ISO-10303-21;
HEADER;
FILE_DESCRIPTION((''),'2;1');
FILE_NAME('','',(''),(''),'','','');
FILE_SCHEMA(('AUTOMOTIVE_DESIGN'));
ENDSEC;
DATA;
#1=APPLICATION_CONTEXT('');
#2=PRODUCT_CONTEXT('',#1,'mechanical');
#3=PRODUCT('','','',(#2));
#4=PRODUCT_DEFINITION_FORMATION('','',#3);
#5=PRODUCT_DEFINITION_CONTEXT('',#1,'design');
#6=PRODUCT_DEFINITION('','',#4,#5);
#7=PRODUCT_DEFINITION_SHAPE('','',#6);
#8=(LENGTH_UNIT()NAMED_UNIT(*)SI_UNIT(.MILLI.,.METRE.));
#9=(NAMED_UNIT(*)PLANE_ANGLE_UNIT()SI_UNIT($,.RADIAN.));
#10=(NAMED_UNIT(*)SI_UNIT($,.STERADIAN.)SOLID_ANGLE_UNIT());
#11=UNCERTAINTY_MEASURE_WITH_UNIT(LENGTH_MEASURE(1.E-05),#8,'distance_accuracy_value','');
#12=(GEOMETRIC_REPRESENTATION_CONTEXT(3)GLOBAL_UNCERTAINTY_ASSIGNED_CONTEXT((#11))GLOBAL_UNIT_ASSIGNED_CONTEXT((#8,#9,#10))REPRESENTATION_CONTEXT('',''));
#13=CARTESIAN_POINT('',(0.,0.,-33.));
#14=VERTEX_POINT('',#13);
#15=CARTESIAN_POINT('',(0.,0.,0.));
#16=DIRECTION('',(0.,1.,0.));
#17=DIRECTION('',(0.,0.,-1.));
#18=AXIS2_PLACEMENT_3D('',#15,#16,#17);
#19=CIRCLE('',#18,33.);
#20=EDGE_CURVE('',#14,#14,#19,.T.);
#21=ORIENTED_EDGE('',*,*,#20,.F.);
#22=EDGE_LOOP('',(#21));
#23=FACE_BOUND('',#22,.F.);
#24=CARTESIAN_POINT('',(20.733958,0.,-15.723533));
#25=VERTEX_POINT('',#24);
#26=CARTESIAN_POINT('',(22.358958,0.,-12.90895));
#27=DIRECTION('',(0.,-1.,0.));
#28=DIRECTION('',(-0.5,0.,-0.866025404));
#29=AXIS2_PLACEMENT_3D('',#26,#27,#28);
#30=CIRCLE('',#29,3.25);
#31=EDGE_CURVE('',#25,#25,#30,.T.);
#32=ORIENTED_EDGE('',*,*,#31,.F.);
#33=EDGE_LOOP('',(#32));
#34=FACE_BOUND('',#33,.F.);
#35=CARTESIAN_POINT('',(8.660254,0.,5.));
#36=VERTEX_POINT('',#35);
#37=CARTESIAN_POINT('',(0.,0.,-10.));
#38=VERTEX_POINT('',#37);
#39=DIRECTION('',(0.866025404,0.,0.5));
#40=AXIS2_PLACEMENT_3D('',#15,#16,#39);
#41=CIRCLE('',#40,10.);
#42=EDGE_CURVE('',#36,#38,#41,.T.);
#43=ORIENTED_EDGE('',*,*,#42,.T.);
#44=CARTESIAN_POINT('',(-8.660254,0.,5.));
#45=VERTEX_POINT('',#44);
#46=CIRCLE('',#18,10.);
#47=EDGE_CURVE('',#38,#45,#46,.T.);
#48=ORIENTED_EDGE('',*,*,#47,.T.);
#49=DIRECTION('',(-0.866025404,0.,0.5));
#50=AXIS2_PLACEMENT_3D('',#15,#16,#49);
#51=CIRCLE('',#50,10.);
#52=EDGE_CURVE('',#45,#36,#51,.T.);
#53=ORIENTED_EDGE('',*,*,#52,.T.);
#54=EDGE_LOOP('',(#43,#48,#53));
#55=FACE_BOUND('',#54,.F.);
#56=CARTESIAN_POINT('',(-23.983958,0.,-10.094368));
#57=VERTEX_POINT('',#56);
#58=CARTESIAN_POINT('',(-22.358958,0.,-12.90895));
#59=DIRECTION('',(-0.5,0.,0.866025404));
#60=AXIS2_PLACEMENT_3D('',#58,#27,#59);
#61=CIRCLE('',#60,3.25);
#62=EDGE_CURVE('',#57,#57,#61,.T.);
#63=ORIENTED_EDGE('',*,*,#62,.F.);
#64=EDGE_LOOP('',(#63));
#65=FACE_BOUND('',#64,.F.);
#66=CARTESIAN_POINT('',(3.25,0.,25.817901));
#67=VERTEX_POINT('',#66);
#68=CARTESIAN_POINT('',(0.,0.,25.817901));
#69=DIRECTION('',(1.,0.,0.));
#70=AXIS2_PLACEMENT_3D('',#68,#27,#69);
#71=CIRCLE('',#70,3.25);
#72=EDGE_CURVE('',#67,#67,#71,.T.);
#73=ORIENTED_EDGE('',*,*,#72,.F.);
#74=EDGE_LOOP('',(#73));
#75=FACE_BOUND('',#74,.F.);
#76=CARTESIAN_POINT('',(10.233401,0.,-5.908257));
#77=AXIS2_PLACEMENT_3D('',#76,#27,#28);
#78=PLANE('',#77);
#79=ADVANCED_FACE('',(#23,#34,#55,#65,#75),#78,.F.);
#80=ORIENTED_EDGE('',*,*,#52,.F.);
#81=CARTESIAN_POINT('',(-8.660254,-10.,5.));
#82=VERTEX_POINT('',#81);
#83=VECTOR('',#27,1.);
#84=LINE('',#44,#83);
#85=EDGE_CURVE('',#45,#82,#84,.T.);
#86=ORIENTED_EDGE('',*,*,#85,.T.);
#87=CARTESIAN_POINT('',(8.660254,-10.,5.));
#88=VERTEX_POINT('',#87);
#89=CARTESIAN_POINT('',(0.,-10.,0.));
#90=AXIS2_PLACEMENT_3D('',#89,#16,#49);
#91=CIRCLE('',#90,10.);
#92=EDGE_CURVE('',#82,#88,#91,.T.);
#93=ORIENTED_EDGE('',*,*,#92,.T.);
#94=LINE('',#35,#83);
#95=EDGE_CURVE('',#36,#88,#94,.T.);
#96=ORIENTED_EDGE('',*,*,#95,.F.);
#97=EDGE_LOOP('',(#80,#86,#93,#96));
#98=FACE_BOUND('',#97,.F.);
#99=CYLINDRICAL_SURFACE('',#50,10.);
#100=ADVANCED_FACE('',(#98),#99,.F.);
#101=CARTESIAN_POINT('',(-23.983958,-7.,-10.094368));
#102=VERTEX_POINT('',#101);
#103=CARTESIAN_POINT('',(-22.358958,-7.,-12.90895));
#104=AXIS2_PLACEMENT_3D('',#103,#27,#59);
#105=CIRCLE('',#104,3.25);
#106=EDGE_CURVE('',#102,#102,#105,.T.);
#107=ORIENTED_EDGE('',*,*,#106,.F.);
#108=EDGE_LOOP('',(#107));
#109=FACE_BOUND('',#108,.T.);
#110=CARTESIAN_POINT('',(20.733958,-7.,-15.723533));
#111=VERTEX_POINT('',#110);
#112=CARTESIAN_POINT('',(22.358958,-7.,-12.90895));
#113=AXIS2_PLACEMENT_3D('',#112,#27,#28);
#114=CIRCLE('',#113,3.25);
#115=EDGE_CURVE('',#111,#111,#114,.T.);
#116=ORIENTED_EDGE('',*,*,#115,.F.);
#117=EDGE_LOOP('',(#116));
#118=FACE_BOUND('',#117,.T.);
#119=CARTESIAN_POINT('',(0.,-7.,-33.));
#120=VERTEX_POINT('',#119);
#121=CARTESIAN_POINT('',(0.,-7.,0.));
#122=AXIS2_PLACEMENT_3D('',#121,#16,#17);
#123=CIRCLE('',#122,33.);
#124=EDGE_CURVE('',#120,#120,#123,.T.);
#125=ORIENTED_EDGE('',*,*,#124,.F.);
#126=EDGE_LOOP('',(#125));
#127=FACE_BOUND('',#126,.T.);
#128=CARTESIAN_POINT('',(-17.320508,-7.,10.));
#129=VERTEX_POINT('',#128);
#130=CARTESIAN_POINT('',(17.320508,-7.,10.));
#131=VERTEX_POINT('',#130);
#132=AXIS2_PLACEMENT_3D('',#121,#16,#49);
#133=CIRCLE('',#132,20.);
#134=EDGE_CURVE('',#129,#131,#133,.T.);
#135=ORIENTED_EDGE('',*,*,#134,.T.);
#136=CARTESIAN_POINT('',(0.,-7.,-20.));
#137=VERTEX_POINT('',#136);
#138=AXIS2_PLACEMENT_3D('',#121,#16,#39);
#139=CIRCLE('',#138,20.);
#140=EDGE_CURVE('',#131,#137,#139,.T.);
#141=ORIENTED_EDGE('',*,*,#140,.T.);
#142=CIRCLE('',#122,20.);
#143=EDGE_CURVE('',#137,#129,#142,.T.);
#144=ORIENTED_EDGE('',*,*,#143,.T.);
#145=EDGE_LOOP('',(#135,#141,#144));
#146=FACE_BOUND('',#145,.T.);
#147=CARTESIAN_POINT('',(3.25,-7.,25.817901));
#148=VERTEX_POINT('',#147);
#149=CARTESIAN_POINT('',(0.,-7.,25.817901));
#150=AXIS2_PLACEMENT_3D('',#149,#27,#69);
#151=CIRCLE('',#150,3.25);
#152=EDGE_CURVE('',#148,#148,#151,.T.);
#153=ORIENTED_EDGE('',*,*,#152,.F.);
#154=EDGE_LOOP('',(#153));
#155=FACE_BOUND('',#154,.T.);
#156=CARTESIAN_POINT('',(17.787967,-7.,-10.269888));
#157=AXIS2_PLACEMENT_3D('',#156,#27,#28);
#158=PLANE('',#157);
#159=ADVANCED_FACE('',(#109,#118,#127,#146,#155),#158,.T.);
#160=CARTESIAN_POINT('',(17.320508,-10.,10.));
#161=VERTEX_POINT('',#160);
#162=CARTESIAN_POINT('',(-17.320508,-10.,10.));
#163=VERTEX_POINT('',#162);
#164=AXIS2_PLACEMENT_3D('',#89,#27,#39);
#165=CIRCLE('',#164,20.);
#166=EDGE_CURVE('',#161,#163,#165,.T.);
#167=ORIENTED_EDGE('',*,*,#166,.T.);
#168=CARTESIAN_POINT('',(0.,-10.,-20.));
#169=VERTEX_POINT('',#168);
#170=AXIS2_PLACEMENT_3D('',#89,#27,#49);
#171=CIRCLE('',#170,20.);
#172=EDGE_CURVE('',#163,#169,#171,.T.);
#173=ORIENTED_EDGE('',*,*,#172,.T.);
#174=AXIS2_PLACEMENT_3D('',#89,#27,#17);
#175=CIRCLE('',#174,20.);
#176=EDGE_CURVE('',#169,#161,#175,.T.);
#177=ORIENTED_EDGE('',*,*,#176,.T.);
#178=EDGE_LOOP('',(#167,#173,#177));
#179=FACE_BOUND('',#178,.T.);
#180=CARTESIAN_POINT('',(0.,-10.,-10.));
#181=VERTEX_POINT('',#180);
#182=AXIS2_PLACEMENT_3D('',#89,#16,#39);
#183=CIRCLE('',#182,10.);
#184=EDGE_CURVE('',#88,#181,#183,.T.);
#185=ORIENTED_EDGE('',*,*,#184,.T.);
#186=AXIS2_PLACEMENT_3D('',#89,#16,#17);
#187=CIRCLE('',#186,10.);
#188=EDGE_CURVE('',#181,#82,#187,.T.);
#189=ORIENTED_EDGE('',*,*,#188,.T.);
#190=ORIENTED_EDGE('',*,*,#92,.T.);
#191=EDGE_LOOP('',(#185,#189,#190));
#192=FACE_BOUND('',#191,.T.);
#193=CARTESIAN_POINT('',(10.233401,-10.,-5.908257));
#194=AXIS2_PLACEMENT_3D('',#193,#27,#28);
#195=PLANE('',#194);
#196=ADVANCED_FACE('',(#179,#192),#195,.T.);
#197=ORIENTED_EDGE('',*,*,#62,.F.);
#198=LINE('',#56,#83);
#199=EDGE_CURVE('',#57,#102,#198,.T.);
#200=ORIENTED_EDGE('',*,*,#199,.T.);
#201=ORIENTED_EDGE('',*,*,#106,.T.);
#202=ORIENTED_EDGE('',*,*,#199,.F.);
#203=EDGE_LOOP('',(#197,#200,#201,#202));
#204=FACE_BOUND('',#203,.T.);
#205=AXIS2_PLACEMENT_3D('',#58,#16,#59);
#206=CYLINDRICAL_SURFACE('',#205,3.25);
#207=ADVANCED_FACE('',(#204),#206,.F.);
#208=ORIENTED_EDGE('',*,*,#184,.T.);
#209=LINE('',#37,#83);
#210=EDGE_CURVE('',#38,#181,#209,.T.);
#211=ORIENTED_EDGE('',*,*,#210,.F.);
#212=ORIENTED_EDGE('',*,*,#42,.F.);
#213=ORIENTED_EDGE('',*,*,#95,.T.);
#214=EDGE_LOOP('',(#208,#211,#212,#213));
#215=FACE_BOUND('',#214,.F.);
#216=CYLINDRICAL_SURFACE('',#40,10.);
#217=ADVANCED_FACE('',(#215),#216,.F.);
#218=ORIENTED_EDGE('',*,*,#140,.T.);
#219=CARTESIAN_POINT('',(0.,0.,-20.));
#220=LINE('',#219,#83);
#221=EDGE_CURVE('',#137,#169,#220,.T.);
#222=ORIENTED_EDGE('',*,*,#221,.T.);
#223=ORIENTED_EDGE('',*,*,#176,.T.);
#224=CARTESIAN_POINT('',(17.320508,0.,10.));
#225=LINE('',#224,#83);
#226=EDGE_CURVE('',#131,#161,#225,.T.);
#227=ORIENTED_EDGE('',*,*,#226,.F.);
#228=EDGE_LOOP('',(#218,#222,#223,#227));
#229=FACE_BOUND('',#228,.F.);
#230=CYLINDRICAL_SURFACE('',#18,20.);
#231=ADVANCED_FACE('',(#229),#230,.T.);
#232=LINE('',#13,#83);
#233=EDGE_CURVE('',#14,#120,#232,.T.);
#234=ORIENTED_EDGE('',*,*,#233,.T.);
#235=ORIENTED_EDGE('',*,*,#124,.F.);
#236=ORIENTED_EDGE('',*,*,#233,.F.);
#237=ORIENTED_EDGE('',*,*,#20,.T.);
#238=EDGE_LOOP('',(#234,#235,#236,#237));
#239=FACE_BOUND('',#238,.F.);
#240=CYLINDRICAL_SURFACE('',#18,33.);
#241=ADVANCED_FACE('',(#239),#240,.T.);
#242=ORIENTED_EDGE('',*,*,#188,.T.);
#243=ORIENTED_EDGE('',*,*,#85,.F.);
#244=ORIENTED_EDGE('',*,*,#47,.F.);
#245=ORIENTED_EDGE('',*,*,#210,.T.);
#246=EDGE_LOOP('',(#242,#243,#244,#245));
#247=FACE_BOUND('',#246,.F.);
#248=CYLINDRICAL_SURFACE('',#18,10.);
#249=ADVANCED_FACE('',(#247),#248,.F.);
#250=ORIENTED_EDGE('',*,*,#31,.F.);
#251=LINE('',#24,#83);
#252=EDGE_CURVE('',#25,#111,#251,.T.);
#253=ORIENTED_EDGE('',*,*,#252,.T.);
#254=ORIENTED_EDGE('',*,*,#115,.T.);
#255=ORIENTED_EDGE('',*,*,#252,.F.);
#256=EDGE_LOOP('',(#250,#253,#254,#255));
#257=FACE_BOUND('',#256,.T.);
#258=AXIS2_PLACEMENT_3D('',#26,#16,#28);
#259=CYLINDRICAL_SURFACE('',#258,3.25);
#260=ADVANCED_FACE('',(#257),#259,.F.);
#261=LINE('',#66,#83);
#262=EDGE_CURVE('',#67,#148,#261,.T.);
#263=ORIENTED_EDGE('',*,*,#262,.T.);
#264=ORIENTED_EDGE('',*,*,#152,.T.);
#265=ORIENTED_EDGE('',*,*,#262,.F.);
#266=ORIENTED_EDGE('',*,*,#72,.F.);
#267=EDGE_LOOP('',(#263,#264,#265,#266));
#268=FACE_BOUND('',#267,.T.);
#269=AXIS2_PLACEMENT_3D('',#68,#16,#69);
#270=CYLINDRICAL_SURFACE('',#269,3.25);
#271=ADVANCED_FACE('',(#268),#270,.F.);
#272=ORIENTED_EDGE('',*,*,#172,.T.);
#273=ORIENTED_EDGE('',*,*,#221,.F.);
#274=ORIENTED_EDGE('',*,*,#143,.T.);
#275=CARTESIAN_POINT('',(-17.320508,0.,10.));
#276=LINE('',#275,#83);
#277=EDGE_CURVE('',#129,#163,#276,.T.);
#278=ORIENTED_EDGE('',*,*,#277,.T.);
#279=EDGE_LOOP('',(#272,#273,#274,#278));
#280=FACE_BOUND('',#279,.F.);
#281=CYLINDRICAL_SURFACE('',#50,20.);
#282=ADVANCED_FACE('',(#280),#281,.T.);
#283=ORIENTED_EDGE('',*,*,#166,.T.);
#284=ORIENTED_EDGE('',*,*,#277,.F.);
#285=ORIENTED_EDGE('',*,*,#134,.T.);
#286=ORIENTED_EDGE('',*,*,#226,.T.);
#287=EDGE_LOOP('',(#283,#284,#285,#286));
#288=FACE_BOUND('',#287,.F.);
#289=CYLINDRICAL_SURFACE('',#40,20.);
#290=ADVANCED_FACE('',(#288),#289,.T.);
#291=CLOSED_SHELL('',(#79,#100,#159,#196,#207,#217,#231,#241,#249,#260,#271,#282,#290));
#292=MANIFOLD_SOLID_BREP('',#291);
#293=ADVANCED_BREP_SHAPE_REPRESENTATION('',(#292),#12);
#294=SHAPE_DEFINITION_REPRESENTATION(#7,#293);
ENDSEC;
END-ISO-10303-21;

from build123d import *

# Parameters (mm, degrees)
F0_R     = 3.25
F1_DEPTH = 7
F2_DEPTH = 10
F3_COUNT = 3


with BuildPart() as f1:
    # F0 (on Front) → F1 (new body)
    with BuildSketch(Plane.XZ):
        with BuildLine():
            Line((17.3205080757, 10), (28.5788383249, 16.5))
            ThreePointArc((28.5788383249, 16.5), (0, 33), (-28.5788383249, 16.5))
            Line((-28.5788383249, 16.5), (-17.3205080757, 10))
            ThreePointArc((-17.3205080757, 10), (0, 20), (17.3205080757, 10))
        make_face()
        with Locations((0, 25.8179008961)):
            Circle(F0_R, mode=Mode.SUBTRACT)
    extrude(amount=F1_DEPTH)

    # F0 (on Front) → F2 (join)
    with BuildSketch(Plane.XZ):
        with BuildLine():
            Line((8.6602540378, 5), (17.3205080757, 10))
            ThreePointArc((17.3205080757, 10), (0, 20), (-17.3205080757, 10))
            Line((-17.3205080757, 10), (-8.6602540378, 5))
            ThreePointArc((-8.6602540378, 5), (0, 10), (8.6602540378, 5))
        make_face()
    extrude(amount=F2_DEPTH)

    # F3: F1 ×3 about axis
    f3_axis = Axis((0, 0, 0), (0, -1, 0))


with BuildPart() as f1_1:
    add(f1.part)
    for i in range(1, F3_COUNT):
        add(f1.part.rotate(f3_axis, i * 360 / F3_COUNT))


solid = f1_1.part
